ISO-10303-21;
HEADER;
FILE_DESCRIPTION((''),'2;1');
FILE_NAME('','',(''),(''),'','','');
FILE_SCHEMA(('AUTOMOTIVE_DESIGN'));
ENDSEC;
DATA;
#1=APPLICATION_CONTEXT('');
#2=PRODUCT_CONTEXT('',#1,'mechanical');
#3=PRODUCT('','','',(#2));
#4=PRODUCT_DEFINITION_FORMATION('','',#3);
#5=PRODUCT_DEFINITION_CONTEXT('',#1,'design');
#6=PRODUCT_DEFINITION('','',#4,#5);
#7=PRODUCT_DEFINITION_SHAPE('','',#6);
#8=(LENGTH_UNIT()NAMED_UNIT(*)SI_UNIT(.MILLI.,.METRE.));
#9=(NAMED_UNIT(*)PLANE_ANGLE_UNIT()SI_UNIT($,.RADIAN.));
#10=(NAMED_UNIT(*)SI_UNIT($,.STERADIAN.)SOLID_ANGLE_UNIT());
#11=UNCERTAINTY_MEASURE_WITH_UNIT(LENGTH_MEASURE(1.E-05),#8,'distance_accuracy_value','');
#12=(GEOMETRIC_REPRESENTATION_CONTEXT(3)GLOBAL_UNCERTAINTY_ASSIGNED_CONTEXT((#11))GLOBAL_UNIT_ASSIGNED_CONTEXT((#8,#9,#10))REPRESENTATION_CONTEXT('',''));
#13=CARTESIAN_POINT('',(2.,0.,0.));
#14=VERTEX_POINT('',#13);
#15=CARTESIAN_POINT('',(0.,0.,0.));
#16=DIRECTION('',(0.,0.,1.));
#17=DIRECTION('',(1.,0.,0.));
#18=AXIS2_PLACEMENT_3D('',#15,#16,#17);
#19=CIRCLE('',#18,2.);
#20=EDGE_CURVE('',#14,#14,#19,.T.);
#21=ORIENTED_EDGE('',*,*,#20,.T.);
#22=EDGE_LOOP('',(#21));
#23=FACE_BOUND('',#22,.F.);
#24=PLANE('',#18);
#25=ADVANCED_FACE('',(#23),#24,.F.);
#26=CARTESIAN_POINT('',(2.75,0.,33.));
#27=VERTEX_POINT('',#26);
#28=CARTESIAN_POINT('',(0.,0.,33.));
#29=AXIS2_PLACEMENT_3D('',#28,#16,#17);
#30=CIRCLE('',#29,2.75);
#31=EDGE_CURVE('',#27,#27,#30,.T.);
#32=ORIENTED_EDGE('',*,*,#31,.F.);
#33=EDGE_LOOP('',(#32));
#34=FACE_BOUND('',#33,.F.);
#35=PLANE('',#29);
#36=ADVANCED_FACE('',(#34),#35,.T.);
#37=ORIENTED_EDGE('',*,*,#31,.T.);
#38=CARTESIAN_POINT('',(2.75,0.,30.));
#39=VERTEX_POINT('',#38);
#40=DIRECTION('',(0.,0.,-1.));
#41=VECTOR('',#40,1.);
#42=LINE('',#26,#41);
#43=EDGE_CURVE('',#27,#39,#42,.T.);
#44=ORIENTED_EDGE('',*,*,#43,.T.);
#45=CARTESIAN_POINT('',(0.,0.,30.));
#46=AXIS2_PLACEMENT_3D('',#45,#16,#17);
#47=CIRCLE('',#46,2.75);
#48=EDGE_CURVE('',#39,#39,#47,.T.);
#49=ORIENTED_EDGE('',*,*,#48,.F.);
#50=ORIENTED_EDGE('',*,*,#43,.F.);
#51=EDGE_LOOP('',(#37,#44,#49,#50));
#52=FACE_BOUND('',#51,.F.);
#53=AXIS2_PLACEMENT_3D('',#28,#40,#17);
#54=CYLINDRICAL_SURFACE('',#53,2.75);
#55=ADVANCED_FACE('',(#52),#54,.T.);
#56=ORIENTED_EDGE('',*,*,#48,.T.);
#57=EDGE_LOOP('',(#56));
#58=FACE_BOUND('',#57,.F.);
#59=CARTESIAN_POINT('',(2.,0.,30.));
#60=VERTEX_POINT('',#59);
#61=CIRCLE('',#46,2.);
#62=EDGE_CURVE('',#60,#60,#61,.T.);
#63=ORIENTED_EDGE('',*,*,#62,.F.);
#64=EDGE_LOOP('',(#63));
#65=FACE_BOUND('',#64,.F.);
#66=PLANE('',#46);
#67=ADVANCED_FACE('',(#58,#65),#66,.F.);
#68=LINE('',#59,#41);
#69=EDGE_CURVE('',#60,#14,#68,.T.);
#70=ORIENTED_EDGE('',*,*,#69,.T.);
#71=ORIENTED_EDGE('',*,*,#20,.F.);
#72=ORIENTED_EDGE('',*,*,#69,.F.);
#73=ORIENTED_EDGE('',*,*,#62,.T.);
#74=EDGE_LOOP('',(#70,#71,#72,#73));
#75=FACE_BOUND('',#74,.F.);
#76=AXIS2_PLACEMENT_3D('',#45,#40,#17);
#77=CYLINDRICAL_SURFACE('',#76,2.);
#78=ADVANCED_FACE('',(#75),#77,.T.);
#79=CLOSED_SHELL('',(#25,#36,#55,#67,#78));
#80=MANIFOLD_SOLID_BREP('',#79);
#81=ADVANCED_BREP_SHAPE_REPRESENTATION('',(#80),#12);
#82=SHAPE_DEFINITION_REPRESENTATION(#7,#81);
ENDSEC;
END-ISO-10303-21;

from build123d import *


with BuildPart() as part:
    # Sketch → Revolution (revolve)
    with BuildSketch(Plane.XZ):
        Polygon((0, 0), (0, 33), (2.75, 33), (2.75, 30), (2, 30), (2, 0), align=None)
    revolve(axis=Axis((0, 0, 0), (0, 0, 1)))


solid = part.part
